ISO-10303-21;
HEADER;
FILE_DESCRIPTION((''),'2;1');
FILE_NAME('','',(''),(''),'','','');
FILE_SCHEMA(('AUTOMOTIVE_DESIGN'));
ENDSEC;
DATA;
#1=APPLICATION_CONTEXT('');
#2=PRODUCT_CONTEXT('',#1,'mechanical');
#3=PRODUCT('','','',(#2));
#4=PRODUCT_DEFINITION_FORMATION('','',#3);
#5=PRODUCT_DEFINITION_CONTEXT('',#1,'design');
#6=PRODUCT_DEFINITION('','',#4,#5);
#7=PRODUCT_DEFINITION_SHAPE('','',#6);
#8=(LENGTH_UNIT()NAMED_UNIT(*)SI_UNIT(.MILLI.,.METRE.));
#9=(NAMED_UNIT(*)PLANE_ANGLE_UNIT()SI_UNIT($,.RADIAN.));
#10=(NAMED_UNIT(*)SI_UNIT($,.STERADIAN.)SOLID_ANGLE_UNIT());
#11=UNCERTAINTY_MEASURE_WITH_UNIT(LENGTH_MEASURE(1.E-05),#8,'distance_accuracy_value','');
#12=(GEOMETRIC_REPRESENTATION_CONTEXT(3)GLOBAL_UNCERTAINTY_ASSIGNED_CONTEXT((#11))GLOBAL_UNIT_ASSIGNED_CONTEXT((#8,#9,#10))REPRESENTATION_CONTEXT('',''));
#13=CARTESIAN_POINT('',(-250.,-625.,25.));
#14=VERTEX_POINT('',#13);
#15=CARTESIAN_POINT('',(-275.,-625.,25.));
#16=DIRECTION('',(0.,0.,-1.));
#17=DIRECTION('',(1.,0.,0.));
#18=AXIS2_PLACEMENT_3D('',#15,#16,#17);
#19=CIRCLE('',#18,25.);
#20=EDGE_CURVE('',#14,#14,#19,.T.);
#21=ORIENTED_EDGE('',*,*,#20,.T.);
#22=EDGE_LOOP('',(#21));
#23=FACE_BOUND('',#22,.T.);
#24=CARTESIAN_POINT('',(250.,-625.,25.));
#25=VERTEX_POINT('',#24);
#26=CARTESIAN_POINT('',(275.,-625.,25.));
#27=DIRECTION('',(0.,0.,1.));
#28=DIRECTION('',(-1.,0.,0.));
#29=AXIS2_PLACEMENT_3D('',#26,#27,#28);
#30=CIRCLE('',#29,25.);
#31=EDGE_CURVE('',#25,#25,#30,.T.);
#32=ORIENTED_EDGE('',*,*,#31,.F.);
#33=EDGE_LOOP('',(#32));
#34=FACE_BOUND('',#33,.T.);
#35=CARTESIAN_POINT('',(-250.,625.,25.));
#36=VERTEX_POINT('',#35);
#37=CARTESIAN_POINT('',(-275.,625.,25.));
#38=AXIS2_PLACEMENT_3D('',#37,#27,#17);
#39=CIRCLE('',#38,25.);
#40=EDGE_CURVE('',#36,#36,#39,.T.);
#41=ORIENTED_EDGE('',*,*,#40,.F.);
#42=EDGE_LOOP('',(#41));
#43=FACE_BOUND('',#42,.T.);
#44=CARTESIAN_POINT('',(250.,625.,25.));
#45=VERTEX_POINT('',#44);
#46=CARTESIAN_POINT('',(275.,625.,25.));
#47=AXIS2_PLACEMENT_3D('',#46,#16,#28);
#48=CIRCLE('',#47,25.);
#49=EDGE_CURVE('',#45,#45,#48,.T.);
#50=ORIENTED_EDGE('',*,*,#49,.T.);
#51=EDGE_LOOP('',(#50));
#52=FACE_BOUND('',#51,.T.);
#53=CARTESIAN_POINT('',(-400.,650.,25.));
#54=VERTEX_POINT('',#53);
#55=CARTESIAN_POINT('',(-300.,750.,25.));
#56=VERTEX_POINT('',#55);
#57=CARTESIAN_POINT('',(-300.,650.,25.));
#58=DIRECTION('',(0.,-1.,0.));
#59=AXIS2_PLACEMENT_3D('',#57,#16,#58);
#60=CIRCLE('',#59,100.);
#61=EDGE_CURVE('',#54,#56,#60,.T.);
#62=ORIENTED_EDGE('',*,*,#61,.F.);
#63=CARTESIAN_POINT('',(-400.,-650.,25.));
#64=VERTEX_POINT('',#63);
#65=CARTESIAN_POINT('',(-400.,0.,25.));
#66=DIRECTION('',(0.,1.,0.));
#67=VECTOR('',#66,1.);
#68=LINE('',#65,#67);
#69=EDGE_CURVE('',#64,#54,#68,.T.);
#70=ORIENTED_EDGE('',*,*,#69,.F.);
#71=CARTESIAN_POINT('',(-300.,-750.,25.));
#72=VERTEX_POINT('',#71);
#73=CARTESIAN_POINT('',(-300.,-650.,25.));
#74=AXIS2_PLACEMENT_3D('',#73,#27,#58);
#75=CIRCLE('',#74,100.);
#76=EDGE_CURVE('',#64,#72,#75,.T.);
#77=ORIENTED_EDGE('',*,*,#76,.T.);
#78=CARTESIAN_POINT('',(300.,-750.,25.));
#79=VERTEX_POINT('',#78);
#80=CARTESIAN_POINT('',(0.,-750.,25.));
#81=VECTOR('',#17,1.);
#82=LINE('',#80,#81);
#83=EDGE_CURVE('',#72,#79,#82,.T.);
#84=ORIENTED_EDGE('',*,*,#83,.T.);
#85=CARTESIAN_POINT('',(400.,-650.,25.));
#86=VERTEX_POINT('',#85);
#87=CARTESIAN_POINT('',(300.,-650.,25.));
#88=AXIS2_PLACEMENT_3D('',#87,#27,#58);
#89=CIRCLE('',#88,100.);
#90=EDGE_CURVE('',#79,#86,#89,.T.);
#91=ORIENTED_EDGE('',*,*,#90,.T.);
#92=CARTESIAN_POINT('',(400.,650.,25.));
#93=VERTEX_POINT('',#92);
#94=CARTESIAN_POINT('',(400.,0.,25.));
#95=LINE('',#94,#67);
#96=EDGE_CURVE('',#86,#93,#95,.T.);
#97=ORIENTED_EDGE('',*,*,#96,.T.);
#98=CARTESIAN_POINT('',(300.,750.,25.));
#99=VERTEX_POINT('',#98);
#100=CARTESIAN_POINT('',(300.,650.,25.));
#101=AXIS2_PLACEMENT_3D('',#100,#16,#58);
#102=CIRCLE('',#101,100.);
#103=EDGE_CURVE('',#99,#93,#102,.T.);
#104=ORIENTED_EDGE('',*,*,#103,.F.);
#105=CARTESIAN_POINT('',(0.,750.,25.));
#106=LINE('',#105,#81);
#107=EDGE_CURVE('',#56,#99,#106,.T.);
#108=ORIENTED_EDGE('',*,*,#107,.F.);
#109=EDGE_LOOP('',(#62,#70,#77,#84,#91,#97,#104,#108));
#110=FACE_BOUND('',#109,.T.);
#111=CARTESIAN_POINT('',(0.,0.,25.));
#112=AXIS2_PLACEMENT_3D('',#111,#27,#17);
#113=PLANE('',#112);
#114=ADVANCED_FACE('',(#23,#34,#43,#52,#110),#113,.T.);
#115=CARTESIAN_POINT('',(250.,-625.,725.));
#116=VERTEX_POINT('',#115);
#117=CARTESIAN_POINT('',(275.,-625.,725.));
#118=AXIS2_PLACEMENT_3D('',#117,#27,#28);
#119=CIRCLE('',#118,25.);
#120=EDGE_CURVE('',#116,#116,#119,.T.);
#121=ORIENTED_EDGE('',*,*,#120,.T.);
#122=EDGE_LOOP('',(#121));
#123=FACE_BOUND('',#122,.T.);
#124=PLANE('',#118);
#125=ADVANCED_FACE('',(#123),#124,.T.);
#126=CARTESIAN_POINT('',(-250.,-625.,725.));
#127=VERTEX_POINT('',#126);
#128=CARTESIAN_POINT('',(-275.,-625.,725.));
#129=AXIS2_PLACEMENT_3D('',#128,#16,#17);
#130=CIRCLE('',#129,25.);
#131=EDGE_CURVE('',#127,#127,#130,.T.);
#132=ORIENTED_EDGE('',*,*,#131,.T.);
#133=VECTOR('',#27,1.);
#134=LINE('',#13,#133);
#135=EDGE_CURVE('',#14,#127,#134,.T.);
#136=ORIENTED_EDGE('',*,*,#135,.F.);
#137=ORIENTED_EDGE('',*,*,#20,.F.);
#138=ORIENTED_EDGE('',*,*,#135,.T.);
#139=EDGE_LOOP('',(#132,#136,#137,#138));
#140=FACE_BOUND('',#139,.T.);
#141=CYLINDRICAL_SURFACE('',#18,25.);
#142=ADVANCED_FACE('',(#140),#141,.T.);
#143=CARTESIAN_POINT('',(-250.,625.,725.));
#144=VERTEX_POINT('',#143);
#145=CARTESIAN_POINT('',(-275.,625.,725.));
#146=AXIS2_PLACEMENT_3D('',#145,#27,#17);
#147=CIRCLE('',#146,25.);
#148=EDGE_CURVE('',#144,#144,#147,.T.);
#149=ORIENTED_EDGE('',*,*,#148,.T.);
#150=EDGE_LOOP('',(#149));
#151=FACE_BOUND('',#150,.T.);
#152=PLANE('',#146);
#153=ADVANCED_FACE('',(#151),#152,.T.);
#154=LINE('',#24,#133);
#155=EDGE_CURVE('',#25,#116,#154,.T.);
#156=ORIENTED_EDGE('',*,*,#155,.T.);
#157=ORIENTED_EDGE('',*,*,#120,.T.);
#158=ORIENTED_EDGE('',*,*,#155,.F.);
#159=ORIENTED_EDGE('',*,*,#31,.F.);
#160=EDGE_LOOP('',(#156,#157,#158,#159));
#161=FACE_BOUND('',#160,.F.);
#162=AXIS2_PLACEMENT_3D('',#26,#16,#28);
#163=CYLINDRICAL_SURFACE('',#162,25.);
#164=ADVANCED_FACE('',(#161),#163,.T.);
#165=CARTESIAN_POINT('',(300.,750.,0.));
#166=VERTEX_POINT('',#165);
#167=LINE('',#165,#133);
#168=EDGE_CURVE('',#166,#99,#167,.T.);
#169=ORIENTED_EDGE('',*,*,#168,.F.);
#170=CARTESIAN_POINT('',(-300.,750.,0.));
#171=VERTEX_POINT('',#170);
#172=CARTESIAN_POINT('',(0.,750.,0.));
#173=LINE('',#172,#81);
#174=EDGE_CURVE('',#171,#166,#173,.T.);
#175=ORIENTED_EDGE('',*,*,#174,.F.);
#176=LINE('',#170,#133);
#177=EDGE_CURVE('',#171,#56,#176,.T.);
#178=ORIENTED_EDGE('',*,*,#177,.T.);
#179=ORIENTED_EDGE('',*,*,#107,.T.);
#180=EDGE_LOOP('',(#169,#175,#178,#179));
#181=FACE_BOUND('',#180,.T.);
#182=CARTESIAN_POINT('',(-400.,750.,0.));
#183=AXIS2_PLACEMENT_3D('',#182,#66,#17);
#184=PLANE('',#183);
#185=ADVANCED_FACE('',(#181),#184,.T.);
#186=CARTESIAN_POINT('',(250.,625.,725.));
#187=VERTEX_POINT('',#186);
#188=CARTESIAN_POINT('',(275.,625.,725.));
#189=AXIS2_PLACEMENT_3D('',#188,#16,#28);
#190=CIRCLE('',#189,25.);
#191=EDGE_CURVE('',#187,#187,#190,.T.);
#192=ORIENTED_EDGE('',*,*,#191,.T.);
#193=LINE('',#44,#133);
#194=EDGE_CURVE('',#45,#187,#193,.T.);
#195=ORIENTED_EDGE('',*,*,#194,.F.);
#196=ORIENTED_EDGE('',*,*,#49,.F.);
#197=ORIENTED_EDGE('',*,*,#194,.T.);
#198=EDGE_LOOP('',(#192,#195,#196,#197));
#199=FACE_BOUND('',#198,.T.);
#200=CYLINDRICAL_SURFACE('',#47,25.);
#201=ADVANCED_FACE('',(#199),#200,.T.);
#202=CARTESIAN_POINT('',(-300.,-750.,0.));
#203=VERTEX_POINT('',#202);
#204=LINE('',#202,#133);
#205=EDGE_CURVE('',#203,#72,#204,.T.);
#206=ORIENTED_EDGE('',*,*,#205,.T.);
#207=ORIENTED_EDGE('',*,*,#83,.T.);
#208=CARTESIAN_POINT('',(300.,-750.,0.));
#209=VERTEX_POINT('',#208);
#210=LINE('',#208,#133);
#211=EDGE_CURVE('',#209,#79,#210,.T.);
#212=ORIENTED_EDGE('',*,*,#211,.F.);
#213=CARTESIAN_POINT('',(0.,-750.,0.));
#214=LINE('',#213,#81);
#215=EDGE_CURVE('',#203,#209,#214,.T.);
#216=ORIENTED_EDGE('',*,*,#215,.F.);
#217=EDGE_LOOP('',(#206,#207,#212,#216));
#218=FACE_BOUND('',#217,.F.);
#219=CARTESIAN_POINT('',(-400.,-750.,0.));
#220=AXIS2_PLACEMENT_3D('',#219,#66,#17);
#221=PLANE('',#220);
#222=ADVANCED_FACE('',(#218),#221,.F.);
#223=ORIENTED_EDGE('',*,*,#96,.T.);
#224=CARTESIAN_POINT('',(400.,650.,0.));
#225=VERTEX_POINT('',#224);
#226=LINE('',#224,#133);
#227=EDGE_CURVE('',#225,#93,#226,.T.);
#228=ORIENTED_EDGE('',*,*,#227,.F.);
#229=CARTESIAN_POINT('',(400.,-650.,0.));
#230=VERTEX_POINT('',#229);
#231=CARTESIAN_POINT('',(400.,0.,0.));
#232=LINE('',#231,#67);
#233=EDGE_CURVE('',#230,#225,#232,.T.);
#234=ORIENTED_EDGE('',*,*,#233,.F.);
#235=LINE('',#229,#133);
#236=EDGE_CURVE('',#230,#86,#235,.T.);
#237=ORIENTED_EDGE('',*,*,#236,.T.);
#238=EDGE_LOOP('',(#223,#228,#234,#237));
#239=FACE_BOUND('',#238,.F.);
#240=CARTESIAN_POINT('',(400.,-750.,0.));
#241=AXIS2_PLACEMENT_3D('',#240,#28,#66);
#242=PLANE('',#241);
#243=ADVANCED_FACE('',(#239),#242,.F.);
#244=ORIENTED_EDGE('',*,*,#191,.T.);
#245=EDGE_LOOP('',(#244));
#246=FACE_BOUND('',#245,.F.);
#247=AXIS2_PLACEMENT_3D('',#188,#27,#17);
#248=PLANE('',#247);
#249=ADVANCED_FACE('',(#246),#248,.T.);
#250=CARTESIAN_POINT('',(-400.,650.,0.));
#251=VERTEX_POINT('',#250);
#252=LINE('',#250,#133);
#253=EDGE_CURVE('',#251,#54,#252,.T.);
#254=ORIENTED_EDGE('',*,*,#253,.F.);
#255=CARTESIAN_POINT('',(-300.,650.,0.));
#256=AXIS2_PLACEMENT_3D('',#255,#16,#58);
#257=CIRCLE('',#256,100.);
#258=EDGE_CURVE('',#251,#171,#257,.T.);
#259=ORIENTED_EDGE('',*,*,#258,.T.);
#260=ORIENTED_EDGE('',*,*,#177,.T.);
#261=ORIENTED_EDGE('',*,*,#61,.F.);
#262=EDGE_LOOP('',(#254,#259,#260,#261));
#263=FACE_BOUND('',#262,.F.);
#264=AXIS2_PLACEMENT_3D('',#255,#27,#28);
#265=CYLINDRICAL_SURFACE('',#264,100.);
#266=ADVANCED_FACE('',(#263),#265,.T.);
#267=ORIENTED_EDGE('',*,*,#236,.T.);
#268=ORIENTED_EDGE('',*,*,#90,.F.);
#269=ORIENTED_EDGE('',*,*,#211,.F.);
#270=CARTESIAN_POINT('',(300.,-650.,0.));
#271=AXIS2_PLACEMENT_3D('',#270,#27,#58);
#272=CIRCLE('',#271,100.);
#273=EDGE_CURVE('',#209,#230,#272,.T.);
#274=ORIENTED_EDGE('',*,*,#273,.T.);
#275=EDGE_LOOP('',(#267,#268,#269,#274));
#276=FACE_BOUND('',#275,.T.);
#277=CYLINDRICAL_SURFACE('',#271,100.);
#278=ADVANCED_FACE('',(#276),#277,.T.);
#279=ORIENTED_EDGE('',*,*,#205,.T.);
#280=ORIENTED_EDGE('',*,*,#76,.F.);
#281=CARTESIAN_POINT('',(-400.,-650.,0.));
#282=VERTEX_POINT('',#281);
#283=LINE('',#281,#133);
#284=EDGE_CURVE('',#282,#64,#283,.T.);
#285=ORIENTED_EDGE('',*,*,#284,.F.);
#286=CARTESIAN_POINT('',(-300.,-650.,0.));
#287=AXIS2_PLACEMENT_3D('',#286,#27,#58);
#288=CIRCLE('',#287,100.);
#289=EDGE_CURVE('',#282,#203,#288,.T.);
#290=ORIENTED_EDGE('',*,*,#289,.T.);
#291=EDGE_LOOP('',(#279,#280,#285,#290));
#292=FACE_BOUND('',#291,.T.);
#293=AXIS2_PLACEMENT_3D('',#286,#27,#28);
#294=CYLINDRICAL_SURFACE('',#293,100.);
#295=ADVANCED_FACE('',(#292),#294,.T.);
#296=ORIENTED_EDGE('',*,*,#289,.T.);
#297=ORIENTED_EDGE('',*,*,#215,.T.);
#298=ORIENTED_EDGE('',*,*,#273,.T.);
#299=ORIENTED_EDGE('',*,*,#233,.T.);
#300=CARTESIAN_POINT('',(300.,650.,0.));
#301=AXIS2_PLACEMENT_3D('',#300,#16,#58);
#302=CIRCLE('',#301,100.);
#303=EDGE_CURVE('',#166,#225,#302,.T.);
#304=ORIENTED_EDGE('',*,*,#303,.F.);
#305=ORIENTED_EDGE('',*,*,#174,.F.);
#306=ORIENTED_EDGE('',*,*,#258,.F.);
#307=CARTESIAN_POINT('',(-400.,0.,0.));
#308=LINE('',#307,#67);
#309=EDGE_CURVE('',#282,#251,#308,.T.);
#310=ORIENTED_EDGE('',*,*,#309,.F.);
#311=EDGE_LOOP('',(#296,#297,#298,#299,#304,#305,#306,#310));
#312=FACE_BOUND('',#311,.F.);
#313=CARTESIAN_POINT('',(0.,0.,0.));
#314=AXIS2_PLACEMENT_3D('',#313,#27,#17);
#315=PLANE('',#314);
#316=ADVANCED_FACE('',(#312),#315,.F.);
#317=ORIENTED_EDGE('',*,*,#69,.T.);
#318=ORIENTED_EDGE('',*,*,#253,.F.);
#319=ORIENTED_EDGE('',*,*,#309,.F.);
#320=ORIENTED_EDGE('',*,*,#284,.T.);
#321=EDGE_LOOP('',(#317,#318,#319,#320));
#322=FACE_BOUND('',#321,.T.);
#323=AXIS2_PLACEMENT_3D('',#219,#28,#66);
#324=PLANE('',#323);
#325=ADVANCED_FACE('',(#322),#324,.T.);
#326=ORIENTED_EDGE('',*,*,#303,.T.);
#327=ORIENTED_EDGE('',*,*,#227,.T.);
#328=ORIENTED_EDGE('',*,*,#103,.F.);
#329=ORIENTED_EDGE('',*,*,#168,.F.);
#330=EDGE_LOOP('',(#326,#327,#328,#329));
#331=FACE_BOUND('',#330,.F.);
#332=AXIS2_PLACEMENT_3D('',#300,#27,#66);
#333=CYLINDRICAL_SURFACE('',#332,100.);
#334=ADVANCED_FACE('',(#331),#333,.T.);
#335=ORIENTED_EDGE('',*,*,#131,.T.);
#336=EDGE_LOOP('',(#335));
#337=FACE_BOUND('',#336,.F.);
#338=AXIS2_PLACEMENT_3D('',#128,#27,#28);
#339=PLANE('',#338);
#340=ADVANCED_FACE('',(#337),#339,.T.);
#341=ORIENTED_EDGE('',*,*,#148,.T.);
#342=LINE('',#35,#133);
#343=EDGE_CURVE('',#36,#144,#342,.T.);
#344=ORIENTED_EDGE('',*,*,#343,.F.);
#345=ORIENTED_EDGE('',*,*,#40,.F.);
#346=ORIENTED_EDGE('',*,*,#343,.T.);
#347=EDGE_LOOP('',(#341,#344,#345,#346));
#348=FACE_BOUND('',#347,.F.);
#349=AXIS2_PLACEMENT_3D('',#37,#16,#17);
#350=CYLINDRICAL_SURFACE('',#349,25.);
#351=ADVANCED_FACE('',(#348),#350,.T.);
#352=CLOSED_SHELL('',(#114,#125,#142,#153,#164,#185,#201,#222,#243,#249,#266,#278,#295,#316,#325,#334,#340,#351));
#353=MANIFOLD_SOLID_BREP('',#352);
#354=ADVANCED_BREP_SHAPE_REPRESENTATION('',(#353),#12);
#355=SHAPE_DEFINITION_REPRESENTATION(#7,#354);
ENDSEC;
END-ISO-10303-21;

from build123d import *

# Parameters (mm, degrees)
F0_W     = 800
F0_H     = 1500
F1_DEPTH = 25
F2_R     = 25
F3_DEPTH = 700
F6_R     = 100


with BuildPart() as f1:
    # F0 (on Top) → F1 (new body)
    with BuildSketch(Plane.XY):
        Rectangle(F0_W, F0_H)
    extrude(amount=F1_DEPTH)

    # F2 (on face) → F3 (join)
    with BuildSketch(Plane.XY.offset(25)):
        with Locations((-275, 625)):
            Circle(F2_R)
    extrude(amount=F3_DEPTH)

    # F4: F1 across plane


with BuildPart() as f1_1:
    add(f1.part)
    add(f1.part.mirror(Plane.XZ))

    # F5: F1 across plane


with BuildPart() as f1_2:
    add(f1_1.part)
    add(f1_1.part.mirror(Plane.YZ))

    # F6
    f6_edges = [f1_2.edges().sort_by_distance(p)[0] for p in [
        (-400, 750, 12.5),
        (400, 750, 12.5),
        (400, -750, 12.5),
        (-400, -750, 12.5),
    ]]
    fillet(f6_edges, radius=F6_R)


solid = f1_2.part
